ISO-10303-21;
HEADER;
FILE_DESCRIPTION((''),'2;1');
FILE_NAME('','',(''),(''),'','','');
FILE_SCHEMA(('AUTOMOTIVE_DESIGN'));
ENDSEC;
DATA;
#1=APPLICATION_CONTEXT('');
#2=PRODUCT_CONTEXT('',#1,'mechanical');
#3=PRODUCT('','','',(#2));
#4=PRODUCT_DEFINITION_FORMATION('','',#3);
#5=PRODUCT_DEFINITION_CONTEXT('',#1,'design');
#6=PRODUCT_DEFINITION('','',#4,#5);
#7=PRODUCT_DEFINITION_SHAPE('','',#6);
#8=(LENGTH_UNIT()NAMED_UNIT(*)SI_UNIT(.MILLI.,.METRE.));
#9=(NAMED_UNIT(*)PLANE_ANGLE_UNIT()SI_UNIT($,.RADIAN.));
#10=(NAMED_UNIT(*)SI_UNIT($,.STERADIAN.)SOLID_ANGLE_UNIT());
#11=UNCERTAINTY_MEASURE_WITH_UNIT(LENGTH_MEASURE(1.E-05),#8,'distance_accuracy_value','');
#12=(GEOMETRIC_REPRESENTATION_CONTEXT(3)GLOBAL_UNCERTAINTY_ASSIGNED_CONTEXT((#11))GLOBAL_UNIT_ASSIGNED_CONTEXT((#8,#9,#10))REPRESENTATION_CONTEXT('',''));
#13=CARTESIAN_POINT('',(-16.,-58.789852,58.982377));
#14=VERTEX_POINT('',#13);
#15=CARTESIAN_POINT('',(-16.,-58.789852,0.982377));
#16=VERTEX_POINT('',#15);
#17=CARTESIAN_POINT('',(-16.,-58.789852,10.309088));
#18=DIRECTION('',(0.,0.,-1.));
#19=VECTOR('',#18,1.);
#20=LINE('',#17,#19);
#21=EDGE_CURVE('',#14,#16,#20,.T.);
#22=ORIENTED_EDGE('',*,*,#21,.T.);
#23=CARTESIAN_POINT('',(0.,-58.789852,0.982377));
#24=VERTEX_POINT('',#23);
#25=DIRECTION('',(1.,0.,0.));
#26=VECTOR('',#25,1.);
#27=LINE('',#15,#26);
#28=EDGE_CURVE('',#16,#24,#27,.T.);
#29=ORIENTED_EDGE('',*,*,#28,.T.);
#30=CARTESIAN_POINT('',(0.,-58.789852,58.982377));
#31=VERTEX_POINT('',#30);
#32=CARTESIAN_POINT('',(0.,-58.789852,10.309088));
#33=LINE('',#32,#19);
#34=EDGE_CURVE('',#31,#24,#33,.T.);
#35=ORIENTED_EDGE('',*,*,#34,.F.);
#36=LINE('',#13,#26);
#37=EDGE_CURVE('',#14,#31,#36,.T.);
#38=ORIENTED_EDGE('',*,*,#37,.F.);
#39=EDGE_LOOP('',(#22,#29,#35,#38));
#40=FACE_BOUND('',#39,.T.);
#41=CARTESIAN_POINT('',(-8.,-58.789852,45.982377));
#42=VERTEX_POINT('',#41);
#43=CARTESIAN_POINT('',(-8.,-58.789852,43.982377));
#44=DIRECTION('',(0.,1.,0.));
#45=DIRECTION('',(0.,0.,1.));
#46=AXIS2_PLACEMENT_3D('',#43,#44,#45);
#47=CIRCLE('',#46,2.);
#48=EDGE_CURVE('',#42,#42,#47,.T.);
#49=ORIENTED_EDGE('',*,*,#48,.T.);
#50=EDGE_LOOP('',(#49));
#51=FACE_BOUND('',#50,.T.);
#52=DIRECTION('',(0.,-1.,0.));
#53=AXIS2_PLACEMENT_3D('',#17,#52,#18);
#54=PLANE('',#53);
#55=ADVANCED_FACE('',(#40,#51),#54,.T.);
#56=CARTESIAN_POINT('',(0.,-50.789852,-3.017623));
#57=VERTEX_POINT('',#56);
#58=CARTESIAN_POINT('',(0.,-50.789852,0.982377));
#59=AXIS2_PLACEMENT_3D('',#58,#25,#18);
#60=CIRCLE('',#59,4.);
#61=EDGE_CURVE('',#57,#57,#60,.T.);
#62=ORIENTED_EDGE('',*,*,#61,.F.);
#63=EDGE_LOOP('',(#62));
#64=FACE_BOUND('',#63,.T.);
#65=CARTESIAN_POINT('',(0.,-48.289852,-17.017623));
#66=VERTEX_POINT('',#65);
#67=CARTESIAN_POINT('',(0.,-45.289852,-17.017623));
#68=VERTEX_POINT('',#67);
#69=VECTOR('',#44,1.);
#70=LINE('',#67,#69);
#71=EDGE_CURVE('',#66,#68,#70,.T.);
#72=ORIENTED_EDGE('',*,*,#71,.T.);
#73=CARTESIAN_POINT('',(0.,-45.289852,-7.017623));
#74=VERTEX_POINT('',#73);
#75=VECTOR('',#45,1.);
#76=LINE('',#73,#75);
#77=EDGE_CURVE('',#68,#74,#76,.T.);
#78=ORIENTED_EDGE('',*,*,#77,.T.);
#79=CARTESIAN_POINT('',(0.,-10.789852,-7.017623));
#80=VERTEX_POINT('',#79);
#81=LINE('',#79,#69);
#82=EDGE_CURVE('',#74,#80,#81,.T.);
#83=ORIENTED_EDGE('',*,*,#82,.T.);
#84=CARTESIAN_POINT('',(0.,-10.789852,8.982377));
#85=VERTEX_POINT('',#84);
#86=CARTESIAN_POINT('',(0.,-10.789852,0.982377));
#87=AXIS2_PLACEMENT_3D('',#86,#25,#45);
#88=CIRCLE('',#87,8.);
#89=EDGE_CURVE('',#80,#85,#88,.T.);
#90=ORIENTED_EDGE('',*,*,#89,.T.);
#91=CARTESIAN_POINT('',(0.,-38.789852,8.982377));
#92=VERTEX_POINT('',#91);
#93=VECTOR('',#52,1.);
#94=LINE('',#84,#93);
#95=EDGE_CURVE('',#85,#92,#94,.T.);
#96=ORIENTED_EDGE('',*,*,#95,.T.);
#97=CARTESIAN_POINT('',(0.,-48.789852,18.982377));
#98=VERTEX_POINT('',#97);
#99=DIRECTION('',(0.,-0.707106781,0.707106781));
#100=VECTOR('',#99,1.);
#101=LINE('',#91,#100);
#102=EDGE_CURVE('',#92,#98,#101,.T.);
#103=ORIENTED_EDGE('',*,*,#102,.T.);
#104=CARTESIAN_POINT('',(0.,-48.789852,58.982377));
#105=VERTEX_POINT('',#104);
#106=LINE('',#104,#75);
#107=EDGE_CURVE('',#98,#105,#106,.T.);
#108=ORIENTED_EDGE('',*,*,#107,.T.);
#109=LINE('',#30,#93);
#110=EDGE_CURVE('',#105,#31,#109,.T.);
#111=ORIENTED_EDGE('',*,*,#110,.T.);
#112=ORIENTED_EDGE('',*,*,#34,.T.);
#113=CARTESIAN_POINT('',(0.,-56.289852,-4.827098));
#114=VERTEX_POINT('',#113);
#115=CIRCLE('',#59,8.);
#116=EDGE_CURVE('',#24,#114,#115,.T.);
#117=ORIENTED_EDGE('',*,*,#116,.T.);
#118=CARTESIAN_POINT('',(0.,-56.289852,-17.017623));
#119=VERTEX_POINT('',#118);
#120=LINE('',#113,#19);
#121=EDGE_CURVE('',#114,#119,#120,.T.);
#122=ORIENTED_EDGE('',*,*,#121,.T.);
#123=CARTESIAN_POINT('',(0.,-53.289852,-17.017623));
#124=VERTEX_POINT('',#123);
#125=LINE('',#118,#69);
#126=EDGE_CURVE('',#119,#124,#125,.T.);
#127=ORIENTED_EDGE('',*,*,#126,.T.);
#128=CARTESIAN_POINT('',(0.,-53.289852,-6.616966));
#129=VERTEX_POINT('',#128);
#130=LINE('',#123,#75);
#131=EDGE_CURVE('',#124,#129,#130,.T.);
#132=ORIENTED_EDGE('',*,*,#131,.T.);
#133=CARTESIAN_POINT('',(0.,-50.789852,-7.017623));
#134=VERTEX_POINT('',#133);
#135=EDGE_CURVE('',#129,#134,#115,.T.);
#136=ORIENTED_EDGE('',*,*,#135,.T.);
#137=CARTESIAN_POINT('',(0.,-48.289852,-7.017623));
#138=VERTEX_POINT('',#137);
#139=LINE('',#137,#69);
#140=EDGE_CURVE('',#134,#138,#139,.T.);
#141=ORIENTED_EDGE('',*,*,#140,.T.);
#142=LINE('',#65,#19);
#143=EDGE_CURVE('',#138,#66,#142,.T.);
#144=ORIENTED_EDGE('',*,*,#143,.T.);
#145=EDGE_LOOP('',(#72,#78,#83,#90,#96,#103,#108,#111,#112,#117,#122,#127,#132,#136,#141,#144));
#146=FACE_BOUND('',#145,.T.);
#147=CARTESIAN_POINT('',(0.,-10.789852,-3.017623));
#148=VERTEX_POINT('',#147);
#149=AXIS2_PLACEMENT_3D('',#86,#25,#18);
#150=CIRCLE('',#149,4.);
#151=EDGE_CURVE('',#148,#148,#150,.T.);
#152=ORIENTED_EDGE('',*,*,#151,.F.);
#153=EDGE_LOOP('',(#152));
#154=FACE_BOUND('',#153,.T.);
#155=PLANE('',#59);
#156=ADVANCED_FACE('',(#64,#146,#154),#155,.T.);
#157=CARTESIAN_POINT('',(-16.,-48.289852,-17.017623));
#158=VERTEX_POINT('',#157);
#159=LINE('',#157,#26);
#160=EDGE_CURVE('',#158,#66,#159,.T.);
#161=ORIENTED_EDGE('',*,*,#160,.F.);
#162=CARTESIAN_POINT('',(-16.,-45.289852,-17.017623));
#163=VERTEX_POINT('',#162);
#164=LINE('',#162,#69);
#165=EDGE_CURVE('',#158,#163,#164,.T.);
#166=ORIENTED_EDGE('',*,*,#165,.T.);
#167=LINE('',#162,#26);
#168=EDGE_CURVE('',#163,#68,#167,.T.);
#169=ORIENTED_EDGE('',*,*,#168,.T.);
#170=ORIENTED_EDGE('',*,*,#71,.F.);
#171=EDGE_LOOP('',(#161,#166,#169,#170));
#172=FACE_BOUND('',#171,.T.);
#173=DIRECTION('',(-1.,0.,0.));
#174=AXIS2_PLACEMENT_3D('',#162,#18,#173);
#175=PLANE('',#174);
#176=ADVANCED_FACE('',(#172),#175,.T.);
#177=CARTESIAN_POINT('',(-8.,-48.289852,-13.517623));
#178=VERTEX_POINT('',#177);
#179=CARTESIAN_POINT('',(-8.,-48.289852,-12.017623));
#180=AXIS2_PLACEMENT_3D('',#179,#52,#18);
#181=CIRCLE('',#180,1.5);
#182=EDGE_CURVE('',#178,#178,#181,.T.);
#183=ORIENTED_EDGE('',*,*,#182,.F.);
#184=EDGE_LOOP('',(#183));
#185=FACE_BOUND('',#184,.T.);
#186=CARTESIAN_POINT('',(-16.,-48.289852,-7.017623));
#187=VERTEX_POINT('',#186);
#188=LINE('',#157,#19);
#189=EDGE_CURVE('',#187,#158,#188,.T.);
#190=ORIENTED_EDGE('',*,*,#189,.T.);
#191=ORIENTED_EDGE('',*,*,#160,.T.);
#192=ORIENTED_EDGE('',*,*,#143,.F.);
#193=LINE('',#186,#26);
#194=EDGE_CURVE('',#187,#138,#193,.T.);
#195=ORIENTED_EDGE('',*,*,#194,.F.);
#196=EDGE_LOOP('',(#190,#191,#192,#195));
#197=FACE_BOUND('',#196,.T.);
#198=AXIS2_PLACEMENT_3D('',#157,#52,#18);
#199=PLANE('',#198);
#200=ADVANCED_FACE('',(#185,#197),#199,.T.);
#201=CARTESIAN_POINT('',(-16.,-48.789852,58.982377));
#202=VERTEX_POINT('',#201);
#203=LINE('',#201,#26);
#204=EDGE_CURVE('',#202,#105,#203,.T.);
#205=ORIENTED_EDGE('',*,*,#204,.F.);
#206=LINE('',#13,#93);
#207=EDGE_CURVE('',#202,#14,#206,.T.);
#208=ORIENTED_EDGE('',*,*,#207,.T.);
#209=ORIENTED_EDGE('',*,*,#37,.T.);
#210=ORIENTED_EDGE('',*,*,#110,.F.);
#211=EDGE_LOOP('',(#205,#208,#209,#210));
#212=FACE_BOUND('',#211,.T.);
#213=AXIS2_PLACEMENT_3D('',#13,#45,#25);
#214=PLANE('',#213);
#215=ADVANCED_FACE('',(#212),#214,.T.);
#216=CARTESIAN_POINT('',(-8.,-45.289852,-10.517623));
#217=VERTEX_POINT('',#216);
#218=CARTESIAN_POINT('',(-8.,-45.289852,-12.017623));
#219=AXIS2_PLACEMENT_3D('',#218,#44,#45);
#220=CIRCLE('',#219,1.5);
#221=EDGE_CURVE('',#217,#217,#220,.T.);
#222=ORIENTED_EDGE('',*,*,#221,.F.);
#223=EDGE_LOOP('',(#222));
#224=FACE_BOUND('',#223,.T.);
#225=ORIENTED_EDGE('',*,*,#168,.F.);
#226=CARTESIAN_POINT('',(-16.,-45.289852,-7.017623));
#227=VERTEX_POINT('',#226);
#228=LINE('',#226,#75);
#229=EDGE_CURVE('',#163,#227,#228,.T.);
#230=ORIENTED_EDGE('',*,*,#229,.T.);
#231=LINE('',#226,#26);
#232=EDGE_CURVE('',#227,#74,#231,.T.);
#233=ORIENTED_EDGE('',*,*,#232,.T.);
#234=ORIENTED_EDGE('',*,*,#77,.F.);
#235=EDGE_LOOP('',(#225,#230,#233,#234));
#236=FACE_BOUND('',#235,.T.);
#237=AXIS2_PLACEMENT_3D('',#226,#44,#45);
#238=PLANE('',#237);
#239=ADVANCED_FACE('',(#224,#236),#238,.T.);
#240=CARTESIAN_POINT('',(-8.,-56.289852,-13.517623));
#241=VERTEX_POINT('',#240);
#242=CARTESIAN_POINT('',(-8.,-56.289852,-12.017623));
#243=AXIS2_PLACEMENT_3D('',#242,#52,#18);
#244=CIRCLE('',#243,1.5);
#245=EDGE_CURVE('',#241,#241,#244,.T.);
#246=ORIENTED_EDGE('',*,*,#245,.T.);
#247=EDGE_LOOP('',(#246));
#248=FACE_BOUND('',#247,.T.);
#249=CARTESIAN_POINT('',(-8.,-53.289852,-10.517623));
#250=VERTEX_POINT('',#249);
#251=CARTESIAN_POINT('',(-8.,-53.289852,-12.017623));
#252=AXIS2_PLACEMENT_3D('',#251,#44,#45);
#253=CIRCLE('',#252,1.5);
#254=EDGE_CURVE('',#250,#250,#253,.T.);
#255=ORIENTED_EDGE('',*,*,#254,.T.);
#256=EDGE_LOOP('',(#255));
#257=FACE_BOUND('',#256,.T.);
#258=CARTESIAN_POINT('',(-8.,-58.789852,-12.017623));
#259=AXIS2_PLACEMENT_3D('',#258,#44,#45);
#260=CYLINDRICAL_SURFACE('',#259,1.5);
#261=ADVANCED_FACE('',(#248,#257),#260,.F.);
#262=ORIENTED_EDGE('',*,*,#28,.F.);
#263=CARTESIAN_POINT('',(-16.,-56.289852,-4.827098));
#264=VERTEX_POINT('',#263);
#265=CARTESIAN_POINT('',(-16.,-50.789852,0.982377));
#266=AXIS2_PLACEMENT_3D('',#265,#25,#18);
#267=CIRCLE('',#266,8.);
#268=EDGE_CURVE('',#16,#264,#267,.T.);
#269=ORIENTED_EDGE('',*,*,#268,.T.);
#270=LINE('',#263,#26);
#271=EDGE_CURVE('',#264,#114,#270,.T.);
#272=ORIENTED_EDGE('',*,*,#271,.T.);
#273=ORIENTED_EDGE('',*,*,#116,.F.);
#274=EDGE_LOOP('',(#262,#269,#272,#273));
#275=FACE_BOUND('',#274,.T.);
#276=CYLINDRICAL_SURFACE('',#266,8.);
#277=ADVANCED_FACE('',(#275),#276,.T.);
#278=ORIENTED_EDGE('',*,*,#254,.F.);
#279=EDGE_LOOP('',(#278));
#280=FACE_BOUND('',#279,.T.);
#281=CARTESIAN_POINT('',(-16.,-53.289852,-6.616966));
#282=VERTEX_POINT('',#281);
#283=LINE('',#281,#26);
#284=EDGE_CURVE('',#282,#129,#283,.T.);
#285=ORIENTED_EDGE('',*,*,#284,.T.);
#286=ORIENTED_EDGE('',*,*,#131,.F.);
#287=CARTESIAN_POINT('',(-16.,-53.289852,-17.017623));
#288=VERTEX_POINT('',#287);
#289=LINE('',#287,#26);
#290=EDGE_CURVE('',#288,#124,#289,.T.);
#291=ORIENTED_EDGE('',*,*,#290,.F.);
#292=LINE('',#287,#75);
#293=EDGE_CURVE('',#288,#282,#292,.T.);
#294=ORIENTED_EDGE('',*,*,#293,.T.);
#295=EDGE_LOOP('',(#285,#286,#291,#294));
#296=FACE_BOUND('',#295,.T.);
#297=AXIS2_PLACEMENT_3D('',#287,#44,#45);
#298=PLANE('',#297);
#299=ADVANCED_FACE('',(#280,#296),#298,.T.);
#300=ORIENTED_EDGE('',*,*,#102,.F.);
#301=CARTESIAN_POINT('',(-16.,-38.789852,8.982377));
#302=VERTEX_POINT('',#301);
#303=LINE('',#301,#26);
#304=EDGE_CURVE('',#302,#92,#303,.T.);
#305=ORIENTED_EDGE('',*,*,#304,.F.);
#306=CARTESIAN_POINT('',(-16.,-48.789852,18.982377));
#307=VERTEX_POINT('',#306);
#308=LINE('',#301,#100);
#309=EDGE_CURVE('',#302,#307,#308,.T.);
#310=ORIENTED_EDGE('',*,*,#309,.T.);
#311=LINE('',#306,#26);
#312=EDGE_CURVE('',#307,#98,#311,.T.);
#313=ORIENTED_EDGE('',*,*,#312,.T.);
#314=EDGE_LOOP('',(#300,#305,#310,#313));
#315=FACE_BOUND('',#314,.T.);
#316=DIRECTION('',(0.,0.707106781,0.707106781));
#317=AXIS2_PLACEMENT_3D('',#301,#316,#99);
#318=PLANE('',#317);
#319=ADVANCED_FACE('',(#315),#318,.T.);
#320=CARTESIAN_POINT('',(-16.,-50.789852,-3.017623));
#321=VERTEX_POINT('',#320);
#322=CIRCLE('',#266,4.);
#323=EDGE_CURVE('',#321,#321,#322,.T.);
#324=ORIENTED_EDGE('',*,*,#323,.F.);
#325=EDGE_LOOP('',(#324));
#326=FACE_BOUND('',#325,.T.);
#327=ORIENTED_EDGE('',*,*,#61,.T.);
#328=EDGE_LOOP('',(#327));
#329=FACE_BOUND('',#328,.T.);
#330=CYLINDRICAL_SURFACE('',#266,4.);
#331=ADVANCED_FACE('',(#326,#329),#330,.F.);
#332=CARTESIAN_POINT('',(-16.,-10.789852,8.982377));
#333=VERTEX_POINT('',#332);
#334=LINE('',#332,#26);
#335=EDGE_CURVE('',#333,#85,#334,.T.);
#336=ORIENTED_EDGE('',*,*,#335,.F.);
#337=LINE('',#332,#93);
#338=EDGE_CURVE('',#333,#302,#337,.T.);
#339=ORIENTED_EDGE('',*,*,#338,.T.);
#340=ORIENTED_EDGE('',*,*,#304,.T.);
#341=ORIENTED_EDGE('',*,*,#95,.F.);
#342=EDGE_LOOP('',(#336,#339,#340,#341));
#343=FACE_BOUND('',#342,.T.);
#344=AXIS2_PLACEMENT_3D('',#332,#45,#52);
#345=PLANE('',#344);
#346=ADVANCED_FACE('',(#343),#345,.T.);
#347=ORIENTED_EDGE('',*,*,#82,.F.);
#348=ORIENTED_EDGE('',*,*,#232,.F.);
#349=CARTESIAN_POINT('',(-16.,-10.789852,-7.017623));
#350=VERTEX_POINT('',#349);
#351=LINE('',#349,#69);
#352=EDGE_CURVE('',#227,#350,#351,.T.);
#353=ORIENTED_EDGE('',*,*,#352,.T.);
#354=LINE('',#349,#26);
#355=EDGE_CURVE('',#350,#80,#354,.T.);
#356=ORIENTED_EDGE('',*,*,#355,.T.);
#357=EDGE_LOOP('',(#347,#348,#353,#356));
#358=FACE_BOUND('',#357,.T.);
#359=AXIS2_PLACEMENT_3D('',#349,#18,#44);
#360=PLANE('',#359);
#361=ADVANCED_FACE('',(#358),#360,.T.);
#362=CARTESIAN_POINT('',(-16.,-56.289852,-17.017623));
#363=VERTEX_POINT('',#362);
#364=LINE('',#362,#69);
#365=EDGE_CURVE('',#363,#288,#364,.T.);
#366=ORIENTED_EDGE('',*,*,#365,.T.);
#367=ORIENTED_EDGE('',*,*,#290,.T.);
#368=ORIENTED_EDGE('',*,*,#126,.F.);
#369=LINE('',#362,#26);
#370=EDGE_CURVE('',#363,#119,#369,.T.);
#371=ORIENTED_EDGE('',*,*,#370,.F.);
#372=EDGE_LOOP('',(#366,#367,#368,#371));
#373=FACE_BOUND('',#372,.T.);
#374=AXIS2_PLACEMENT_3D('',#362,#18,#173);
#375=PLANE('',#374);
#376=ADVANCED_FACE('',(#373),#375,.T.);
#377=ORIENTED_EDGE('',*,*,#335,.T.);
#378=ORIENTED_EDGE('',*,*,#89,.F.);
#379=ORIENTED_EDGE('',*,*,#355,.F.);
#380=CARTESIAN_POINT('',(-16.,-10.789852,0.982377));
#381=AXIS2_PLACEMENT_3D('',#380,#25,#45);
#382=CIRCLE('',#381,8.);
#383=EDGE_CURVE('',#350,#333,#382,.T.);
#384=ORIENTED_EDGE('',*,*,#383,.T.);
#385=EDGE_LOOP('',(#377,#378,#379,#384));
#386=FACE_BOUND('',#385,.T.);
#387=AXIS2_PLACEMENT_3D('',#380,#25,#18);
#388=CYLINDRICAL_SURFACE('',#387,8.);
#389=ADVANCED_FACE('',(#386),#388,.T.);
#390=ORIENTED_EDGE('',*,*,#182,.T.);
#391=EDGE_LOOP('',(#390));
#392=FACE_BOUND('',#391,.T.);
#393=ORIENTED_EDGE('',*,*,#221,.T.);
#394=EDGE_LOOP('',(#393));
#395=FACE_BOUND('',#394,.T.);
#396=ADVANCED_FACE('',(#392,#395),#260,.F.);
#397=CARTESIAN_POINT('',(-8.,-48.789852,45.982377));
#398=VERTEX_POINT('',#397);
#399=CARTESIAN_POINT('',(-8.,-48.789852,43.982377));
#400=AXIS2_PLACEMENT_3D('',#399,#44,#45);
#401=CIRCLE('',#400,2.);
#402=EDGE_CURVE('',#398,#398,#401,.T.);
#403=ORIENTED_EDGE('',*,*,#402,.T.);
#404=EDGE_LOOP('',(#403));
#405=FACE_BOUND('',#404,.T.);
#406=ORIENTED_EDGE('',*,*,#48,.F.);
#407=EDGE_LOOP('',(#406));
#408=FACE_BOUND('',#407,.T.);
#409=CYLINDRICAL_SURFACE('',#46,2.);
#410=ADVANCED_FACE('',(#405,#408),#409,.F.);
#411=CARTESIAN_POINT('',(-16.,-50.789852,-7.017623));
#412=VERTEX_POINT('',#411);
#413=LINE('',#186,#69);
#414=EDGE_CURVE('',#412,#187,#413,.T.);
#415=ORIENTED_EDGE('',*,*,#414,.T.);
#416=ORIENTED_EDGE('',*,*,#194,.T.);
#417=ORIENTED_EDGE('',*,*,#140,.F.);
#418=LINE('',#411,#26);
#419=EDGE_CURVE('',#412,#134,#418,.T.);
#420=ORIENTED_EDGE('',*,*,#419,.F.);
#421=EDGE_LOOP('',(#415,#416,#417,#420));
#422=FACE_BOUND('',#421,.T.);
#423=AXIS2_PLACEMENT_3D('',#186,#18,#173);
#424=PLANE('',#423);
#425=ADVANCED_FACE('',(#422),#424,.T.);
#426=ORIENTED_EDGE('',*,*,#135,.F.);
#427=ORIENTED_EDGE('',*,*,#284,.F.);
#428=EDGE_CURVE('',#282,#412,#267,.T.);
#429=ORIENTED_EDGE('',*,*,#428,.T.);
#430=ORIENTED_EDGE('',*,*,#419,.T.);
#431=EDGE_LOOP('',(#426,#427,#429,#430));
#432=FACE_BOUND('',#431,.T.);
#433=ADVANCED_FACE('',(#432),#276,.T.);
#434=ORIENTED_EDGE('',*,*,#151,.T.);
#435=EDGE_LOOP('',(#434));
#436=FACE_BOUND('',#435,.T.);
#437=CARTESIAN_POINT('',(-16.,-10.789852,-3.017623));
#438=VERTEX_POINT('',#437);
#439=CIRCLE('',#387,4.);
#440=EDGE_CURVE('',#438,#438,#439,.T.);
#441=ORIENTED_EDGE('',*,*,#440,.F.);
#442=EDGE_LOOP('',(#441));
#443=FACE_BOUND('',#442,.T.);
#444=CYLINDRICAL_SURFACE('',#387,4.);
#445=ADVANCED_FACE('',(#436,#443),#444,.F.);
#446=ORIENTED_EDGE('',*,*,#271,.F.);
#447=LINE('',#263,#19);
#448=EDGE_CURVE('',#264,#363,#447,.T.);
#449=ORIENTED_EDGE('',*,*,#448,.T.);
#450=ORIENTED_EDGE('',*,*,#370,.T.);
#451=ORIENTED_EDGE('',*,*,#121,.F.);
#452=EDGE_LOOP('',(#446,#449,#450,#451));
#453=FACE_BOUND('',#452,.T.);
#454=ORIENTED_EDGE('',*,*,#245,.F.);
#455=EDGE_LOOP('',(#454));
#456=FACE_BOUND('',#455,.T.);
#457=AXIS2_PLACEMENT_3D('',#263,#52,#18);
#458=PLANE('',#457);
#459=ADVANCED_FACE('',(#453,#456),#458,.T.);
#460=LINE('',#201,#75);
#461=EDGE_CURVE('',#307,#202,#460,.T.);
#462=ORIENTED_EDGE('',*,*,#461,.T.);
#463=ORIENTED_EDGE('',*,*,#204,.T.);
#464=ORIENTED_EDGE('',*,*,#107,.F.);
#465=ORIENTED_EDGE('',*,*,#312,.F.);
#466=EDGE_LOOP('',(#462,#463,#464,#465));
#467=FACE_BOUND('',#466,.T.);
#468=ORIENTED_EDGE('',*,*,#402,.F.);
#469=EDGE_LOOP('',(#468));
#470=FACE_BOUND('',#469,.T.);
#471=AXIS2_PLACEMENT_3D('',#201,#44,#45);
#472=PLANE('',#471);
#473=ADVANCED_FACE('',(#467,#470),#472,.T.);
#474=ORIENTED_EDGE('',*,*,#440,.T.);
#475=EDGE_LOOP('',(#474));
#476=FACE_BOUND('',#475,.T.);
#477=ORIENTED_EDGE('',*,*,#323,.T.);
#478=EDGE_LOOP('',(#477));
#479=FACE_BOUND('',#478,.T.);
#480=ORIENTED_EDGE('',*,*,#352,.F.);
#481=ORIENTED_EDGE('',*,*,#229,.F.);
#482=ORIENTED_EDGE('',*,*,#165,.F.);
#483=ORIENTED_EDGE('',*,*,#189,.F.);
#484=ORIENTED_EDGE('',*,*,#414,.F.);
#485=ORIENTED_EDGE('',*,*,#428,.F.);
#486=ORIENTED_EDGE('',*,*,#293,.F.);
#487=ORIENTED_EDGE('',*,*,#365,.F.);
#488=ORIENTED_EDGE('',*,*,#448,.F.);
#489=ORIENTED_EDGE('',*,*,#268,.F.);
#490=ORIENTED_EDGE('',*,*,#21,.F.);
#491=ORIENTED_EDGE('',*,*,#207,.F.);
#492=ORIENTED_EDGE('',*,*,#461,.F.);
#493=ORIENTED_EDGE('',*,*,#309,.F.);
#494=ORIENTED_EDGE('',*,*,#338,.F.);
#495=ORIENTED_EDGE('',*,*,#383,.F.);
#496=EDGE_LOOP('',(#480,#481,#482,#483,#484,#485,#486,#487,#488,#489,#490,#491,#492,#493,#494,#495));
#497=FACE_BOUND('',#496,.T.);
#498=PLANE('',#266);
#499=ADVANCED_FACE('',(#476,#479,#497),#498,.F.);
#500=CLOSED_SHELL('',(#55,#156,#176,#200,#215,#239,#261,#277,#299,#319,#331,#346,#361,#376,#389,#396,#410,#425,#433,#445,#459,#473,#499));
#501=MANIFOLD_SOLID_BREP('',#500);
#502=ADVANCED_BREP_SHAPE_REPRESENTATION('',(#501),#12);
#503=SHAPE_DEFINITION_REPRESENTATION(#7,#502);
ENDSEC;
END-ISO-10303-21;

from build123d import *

# Parameters (mm, degrees)
SKETCH1_R           = 4
BOSS_EXTRUDE1_DEPTH = 16
SKETCH2_R           = 2
CUT_EXTRUDE1_DEPTH  = 77.491311533
SKETCH3_R           = 1.5
CUT_EXTRUDE2_DEPTH  = 75.439040429


with BuildPart() as part:
    # Sketch1 → Boss-Extrude1 (new body)
    with BuildSketch(Plane(origin=(0, 0, 0), x_dir=(0, 0, -1), z_dir=(1, 0, 0))):
        with BuildLine():
            Line((-10.309088451, -58.789851982), (-58.982376521, -58.789851982))
            Line((-58.982376521, -58.789851982), (-58.982376521, -48.789851982))
            Line((-58.982376521, -48.789851982), (-18.982376521, -48.789851982))
            Line((-18.982376521, -48.789851982), (-8.982376521, -38.789851982))
            Line((-8.982376521, -38.789851982), (-8.982376521, -10.789851982))
            ThreePointArc((-8.982376521, -10.789851982), (-0.982376521, -2.789851982), (7.017623479, -10.789851982))
            Line((7.017623479, -10.789851982), (7.017623479, -45.289851982))
            Line((7.017623479, -45.289851982), (17.017623479, -45.289851982))
            Line((17.017623479, -45.289851982), (17.017623479, -48.289851982))
            Line((17.017623479, -48.289851982), (7.017623479, -48.289851982))
            Line((7.017623479, -48.289851982), (7.017623479, -50.789851982))
            ThreePointArc((7.017623479, -50.789851982), (6.916823965, -52.055802887), (6.616965556, -53.289851982))
            Line((6.616965556, -53.289851982), (17.017623479, -53.289851982))
            Line((17.017623479, -53.289851982), (17.017623479, -56.289851982))
            Line((17.017623479, -56.289851982), (4.827098499, -56.289851982))
            ThreePointArc((4.827098499, -56.289851982), (2.179901139, -58.138321211), (-0.982376521, -58.789851982))
            Line((-0.982376521, -58.789851982), (-10.309088451, -58.789851982))
        make_face()
        with Locations((-0.982376521, -10.789851982)):
            Circle(SKETCH1_R, mode=Mode.SUBTRACT)
        with Locations((-0.982376521, -50.789851982)):
            Circle(SKETCH1_R, mode=Mode.SUBTRACT)
    extrude(amount=-BOSS_EXTRUDE1_DEPTH)

    # Sketch2 → Cut-Extrude1 (cut, through all)
    with BuildSketch(Plane(origin=(0, -48.789851982, 0), x_dir=(1, 0, 0), z_dir=(0, 1, 0))):
        with Locations(Location((-8, -43.982376521, 0), (0, 0, 270))):
            Circle(SKETCH2_R)
    extrude(amount=-CUT_EXTRUDE1_DEPTH, mode=Mode.SUBTRACT)

    # Sketch3 → Cut-Extrude2 (cut, through all)
    with BuildSketch(Plane(origin=(0, -45.289851982, 0), x_dir=(1, 0, 0), z_dir=(0, 1, 0))):
        with Locations(Location((-8, 12.017623479, 0), (0, 0, 270))):
            Circle(SKETCH3_R)
    extrude(amount=-CUT_EXTRUDE2_DEPTH, mode=Mode.SUBTRACT)


solid = part.part
